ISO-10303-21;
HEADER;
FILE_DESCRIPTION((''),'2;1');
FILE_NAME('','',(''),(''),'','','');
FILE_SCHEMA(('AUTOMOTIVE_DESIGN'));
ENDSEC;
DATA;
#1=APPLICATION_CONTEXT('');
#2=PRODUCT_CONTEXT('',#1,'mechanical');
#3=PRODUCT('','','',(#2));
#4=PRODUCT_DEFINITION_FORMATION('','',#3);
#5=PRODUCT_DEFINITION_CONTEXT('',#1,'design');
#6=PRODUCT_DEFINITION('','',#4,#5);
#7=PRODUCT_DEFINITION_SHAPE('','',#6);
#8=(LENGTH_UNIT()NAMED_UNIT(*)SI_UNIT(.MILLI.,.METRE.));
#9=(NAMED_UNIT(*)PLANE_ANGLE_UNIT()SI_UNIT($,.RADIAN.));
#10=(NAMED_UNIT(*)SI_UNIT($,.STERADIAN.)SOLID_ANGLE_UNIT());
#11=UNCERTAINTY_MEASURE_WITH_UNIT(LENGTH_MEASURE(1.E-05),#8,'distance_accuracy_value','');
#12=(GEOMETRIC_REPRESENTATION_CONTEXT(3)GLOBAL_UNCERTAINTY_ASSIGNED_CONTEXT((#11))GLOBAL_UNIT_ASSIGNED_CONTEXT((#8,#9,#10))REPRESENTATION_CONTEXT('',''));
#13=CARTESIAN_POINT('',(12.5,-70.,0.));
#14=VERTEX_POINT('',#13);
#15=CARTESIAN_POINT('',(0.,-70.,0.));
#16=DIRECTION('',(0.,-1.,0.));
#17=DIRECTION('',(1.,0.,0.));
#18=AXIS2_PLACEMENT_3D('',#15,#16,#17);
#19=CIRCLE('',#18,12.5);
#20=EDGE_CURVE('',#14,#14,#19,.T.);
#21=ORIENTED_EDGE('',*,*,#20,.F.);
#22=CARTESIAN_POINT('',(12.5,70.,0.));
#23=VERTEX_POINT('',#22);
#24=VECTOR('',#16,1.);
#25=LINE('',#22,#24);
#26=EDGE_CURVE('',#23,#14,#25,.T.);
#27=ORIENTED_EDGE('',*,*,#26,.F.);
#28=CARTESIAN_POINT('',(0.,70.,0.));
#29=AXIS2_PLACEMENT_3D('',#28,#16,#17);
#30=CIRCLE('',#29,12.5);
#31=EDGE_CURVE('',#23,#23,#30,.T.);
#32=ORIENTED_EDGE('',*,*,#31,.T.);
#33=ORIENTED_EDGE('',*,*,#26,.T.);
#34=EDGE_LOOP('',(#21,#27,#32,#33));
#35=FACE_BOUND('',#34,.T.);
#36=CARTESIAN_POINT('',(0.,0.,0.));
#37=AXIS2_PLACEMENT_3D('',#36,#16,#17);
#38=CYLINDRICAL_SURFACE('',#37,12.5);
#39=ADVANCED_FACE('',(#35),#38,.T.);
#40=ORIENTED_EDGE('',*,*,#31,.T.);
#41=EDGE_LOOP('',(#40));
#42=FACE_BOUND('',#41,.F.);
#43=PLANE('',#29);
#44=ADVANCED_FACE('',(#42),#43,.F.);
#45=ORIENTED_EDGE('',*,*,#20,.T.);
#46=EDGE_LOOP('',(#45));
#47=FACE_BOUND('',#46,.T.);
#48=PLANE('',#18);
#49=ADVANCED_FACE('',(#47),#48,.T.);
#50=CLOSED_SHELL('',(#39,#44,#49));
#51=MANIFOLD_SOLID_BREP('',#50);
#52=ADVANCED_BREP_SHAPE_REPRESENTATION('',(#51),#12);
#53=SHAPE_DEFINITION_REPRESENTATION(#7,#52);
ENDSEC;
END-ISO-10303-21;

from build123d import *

# Parameters (mm, degrees)
F0_R     = 12.5
F1_DEPTH = 70
F2_DEPTH = 70


with BuildPart() as f1:
    # F0 (on Front) → F1 (new body)
    with BuildSketch(Plane.XZ):
        Circle(F0_R)
    extrude(amount=F1_DEPTH)

    # F0 (on Front) → F2 (join)
    with BuildSketch(Plane.XZ):
        Circle(F0_R)
    extrude(amount=-F2_DEPTH)


solid = f1.part
